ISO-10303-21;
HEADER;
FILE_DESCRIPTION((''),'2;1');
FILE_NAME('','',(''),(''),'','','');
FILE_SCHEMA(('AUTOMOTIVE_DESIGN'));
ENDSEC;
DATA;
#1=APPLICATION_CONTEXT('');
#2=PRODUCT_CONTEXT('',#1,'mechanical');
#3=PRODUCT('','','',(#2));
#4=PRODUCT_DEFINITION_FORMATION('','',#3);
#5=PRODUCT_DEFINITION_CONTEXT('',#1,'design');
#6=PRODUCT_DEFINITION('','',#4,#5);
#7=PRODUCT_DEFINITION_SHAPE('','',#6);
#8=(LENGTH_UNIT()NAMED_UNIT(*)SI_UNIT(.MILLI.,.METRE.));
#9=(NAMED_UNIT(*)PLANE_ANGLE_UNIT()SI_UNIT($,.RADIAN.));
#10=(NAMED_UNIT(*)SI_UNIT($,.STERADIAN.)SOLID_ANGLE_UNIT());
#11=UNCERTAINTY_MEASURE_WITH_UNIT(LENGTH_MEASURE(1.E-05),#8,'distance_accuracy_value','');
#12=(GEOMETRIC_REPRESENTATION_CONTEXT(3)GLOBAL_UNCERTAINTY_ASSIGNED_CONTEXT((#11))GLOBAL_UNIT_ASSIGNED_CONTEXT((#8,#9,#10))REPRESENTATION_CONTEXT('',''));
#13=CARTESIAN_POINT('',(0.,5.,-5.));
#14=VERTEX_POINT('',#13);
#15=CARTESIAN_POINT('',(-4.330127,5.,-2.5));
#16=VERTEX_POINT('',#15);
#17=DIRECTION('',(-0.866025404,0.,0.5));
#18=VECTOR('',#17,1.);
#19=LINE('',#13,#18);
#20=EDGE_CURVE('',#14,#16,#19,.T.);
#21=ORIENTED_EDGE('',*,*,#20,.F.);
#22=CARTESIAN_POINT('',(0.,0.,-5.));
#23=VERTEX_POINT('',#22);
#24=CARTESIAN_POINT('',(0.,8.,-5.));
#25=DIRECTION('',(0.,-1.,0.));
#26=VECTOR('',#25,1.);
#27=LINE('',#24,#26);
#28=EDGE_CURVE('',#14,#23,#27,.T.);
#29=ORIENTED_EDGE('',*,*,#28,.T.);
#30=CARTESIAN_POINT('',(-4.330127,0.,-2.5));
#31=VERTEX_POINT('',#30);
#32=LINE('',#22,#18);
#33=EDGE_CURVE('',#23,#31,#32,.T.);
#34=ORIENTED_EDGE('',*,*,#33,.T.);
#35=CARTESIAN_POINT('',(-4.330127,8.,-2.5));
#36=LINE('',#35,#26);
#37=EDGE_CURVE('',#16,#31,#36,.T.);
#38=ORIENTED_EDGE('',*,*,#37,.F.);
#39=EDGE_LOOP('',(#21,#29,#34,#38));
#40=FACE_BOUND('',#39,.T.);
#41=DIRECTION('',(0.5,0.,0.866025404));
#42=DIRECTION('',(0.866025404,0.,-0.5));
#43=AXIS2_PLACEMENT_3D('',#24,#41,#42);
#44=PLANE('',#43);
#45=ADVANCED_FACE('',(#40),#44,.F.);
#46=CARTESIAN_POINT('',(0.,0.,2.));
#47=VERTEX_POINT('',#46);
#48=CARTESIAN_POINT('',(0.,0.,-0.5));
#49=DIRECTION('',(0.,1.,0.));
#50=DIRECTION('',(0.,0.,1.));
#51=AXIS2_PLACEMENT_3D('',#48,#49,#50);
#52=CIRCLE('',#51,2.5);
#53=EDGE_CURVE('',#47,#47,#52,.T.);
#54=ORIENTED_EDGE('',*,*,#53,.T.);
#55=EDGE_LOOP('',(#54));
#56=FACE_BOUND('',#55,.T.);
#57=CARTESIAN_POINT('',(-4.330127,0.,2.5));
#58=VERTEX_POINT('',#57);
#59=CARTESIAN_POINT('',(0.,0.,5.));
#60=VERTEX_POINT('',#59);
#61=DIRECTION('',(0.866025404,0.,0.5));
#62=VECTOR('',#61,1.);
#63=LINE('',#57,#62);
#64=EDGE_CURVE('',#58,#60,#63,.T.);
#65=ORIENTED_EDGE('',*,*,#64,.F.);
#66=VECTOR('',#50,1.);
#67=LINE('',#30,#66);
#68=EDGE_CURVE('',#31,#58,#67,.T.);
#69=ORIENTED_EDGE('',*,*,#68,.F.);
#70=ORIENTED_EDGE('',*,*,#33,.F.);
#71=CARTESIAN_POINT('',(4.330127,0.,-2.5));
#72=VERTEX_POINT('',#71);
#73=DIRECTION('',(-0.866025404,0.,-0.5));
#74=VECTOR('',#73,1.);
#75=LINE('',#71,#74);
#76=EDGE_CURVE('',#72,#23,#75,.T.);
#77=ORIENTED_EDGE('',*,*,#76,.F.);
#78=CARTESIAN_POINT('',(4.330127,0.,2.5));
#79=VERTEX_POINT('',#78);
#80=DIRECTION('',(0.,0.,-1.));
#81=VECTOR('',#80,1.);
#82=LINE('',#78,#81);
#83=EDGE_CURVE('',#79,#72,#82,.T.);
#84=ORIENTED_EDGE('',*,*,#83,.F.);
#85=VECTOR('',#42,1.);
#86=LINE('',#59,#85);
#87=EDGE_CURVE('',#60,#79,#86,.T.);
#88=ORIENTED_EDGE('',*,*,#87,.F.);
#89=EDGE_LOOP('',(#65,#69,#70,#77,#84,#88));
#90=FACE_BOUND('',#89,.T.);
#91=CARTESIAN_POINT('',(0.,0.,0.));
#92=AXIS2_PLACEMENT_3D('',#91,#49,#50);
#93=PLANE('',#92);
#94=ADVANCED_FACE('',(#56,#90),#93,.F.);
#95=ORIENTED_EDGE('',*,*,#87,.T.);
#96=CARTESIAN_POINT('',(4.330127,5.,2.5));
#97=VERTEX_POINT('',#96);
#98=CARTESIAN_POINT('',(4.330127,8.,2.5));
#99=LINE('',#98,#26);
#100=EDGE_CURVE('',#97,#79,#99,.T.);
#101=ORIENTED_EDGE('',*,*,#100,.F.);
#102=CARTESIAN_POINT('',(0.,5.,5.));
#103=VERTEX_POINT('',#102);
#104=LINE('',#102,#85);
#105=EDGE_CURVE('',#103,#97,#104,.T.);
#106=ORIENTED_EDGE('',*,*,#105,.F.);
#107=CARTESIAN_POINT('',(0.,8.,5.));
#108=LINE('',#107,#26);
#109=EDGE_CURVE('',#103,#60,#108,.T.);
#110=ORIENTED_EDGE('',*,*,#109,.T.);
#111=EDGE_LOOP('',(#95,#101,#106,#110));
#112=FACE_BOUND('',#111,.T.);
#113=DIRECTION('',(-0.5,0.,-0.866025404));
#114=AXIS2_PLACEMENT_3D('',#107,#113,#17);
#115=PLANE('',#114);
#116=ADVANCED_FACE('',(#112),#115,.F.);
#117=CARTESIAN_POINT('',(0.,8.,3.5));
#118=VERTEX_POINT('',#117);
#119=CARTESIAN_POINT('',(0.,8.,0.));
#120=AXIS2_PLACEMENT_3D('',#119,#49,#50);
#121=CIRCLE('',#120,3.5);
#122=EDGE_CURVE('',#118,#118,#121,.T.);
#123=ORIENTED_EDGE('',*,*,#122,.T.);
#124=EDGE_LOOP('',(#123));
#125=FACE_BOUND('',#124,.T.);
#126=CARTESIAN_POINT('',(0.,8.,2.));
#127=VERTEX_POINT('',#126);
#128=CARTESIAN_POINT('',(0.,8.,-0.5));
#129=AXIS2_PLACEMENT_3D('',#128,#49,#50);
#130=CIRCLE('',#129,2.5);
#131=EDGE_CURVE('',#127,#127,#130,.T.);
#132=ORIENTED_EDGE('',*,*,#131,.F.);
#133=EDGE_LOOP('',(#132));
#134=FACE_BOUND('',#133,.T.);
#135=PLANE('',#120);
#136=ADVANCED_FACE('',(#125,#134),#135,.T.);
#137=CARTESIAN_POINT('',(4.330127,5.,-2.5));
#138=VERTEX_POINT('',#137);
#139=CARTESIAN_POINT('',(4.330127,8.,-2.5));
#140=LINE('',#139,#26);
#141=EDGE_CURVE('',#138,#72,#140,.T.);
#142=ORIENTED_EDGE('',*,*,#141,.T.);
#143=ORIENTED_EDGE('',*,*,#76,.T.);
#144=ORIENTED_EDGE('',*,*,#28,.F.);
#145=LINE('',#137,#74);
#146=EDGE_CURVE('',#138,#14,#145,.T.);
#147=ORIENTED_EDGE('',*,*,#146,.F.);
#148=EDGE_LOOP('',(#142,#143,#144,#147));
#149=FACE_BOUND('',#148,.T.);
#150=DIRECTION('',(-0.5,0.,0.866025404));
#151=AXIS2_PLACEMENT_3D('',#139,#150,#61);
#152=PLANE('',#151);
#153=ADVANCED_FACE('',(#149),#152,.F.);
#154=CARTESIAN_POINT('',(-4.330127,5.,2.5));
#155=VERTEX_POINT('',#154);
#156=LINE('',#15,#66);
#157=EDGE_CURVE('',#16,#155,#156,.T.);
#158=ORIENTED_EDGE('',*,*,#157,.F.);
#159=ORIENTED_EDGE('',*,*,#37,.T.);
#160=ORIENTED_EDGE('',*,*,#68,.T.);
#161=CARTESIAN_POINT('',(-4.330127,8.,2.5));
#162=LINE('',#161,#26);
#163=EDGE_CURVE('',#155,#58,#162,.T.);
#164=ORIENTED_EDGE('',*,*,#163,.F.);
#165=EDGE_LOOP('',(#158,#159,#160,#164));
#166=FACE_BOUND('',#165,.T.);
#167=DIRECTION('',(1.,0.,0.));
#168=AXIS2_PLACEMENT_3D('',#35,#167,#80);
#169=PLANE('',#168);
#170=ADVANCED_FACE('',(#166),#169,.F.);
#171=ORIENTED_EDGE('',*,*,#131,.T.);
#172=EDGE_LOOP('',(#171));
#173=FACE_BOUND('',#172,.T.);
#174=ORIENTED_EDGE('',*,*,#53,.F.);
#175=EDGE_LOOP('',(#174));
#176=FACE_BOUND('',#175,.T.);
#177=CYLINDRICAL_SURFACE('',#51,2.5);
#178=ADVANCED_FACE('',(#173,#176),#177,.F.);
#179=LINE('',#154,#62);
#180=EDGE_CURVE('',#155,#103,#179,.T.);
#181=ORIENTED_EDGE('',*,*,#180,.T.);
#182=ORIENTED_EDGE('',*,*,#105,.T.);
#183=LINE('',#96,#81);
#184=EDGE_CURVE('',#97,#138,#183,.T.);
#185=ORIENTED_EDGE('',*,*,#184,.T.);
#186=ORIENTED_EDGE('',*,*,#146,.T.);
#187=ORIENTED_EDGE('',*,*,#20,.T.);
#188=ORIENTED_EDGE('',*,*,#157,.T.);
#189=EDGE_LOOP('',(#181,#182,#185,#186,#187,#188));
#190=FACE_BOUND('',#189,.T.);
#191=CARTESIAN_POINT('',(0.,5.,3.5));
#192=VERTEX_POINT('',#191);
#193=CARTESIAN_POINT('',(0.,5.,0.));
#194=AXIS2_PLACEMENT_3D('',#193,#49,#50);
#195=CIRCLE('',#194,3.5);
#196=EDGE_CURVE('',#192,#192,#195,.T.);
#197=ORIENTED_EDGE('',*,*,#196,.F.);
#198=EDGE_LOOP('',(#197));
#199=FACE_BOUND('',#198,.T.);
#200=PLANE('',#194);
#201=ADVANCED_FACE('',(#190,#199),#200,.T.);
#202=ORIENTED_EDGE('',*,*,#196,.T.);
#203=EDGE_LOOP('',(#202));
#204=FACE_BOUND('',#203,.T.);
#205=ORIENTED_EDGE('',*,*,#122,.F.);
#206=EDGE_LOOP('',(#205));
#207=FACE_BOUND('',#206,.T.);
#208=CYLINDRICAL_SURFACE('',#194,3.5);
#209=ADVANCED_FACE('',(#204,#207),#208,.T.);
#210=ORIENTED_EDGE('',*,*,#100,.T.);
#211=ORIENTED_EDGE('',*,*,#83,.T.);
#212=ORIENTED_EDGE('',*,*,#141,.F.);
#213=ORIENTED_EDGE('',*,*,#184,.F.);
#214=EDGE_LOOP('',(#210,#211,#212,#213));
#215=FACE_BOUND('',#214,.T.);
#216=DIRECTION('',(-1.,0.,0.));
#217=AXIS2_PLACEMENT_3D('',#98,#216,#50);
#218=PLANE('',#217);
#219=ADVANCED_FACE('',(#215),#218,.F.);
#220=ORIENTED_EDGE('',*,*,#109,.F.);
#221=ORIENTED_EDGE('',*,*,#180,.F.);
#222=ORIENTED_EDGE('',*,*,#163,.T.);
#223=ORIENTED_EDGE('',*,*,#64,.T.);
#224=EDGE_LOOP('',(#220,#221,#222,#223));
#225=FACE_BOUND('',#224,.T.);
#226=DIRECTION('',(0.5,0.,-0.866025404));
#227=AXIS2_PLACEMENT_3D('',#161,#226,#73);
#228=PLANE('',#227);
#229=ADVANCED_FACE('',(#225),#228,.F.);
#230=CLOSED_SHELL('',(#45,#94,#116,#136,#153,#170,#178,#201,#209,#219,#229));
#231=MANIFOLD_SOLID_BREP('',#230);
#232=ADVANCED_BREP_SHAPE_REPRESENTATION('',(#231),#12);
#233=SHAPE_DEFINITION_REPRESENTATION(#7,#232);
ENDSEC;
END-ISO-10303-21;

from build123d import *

# Parameters (mm, degrees)
BOSS_EXTRUDE1_DEPTH = 8
SKETCH2_R           = 2.5
CUT_EXTRUDE1_DEPTH  = 8
SKETCH3_R           = 3.5
CUT_EXTRUDE2_DEPTH  = 3


with BuildPart() as part:
    # Sketch1 → Boss-Extrude1 (new body)
    with BuildSketch(Plane(origin=(0, 0, 0), x_dir=(1, 0, 0), z_dir=(0, 1, 0))):
        Polygon((4.330127019, 2.5), (0, 5), (-4.330127019, 2.5), (-4.330127019, -2.5), (0, -5), (4.330127019, -2.5), align=None)
    extrude(amount=BOSS_EXTRUDE1_DEPTH)

    # Sketch2 → Cut-Extrude1 (cut)
    with BuildSketch(Plane(origin=(0, 8, 0), x_dir=(1, 0, 0), z_dir=(0, 1, 0))):
        with Locations(Location((0, 0.5, 0), (0, 0, 270))):
            Circle(SKETCH2_R)
    extrude(amount=-CUT_EXTRUDE1_DEPTH, mode=Mode.SUBTRACT)

    # Sketch3 → Cut-Extrude2 (cut)
    with BuildSketch(Plane(origin=(0, 8, 0), x_dir=(1, 0, 0), z_dir=(0, 1, 0))):
        Polygon((-4.330127019, 2.5), (-4.330127019, -2.5), (0, -5), (4.330127019, -2.5), (4.330127019, 2.5), (0, 5), align=None)
        with Locations(Location((0, 0, 0), (0, 0, 270))):
            Circle(SKETCH3_R, mode=Mode.SUBTRACT)
    extrude(amount=-CUT_EXTRUDE2_DEPTH, mode=Mode.SUBTRACT)


solid = part.part
